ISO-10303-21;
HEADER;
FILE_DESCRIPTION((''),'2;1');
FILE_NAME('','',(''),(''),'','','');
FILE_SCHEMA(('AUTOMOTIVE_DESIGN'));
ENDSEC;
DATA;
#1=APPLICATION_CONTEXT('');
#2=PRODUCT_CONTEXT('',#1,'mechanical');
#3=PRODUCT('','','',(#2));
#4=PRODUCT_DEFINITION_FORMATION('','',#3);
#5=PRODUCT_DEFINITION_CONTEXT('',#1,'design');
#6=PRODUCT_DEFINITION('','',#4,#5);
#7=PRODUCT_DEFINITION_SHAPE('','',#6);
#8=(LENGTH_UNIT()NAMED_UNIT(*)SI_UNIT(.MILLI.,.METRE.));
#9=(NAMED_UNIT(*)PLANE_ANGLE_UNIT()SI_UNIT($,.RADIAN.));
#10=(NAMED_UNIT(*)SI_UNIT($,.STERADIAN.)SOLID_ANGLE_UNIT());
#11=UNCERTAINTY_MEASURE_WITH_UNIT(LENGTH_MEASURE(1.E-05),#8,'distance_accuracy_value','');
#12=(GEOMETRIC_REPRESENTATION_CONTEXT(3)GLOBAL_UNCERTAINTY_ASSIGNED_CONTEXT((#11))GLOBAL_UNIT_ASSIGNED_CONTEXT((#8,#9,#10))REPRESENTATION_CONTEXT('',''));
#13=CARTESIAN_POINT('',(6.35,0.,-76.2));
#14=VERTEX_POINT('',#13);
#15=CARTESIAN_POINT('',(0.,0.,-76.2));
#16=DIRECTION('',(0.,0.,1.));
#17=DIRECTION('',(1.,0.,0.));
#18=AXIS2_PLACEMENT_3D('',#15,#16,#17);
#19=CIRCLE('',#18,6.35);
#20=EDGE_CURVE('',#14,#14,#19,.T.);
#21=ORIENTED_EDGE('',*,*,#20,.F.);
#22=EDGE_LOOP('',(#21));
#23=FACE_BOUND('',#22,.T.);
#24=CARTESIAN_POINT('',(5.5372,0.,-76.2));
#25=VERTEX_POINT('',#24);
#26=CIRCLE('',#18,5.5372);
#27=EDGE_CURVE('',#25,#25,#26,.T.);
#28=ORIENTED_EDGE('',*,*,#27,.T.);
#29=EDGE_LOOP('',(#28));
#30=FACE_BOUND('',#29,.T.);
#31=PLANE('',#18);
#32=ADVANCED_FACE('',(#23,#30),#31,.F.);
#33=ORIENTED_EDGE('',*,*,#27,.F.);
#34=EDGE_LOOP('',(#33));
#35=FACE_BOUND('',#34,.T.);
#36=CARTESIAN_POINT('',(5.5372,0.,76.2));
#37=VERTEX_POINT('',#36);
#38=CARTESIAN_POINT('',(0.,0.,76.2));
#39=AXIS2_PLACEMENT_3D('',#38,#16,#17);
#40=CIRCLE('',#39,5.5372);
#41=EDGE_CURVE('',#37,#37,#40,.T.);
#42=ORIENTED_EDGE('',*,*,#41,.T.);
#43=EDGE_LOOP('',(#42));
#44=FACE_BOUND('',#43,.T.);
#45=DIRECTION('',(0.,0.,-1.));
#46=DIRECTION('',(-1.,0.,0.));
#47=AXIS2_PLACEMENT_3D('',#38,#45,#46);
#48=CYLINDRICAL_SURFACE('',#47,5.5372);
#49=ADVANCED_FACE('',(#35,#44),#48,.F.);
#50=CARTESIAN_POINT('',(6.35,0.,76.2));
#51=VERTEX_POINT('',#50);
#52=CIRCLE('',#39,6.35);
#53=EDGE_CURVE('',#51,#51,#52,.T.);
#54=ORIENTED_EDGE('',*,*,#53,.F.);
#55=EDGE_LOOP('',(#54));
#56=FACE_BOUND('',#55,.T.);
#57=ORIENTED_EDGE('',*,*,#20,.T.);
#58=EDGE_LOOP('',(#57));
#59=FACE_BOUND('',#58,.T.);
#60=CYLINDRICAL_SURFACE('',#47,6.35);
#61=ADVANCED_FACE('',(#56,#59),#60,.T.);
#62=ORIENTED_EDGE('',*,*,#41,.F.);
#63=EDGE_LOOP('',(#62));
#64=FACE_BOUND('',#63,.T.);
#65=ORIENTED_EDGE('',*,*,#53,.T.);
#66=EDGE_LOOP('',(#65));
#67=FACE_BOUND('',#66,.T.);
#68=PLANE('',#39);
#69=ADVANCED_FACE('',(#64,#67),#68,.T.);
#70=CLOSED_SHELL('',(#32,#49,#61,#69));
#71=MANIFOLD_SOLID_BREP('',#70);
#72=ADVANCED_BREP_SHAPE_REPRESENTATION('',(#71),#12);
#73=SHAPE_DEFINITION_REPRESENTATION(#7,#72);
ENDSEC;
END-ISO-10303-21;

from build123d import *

# Parameters (mm, degrees)
SKETCH2_R           = 6.35
SKETCH2_R_2         = 5.5372
BOSS_EXTRUDE1_DEPTH = 76.2


with BuildPart() as part:
    # Sketch2 → Boss-Extrude1 (new, symmetric)
    with BuildSketch(Plane.XY):
        Circle(SKETCH2_R)
        Circle(SKETCH2_R_2, mode=Mode.SUBTRACT)
    extrude(amount=BOSS_EXTRUDE1_DEPTH, both=True)


solid = part.part
